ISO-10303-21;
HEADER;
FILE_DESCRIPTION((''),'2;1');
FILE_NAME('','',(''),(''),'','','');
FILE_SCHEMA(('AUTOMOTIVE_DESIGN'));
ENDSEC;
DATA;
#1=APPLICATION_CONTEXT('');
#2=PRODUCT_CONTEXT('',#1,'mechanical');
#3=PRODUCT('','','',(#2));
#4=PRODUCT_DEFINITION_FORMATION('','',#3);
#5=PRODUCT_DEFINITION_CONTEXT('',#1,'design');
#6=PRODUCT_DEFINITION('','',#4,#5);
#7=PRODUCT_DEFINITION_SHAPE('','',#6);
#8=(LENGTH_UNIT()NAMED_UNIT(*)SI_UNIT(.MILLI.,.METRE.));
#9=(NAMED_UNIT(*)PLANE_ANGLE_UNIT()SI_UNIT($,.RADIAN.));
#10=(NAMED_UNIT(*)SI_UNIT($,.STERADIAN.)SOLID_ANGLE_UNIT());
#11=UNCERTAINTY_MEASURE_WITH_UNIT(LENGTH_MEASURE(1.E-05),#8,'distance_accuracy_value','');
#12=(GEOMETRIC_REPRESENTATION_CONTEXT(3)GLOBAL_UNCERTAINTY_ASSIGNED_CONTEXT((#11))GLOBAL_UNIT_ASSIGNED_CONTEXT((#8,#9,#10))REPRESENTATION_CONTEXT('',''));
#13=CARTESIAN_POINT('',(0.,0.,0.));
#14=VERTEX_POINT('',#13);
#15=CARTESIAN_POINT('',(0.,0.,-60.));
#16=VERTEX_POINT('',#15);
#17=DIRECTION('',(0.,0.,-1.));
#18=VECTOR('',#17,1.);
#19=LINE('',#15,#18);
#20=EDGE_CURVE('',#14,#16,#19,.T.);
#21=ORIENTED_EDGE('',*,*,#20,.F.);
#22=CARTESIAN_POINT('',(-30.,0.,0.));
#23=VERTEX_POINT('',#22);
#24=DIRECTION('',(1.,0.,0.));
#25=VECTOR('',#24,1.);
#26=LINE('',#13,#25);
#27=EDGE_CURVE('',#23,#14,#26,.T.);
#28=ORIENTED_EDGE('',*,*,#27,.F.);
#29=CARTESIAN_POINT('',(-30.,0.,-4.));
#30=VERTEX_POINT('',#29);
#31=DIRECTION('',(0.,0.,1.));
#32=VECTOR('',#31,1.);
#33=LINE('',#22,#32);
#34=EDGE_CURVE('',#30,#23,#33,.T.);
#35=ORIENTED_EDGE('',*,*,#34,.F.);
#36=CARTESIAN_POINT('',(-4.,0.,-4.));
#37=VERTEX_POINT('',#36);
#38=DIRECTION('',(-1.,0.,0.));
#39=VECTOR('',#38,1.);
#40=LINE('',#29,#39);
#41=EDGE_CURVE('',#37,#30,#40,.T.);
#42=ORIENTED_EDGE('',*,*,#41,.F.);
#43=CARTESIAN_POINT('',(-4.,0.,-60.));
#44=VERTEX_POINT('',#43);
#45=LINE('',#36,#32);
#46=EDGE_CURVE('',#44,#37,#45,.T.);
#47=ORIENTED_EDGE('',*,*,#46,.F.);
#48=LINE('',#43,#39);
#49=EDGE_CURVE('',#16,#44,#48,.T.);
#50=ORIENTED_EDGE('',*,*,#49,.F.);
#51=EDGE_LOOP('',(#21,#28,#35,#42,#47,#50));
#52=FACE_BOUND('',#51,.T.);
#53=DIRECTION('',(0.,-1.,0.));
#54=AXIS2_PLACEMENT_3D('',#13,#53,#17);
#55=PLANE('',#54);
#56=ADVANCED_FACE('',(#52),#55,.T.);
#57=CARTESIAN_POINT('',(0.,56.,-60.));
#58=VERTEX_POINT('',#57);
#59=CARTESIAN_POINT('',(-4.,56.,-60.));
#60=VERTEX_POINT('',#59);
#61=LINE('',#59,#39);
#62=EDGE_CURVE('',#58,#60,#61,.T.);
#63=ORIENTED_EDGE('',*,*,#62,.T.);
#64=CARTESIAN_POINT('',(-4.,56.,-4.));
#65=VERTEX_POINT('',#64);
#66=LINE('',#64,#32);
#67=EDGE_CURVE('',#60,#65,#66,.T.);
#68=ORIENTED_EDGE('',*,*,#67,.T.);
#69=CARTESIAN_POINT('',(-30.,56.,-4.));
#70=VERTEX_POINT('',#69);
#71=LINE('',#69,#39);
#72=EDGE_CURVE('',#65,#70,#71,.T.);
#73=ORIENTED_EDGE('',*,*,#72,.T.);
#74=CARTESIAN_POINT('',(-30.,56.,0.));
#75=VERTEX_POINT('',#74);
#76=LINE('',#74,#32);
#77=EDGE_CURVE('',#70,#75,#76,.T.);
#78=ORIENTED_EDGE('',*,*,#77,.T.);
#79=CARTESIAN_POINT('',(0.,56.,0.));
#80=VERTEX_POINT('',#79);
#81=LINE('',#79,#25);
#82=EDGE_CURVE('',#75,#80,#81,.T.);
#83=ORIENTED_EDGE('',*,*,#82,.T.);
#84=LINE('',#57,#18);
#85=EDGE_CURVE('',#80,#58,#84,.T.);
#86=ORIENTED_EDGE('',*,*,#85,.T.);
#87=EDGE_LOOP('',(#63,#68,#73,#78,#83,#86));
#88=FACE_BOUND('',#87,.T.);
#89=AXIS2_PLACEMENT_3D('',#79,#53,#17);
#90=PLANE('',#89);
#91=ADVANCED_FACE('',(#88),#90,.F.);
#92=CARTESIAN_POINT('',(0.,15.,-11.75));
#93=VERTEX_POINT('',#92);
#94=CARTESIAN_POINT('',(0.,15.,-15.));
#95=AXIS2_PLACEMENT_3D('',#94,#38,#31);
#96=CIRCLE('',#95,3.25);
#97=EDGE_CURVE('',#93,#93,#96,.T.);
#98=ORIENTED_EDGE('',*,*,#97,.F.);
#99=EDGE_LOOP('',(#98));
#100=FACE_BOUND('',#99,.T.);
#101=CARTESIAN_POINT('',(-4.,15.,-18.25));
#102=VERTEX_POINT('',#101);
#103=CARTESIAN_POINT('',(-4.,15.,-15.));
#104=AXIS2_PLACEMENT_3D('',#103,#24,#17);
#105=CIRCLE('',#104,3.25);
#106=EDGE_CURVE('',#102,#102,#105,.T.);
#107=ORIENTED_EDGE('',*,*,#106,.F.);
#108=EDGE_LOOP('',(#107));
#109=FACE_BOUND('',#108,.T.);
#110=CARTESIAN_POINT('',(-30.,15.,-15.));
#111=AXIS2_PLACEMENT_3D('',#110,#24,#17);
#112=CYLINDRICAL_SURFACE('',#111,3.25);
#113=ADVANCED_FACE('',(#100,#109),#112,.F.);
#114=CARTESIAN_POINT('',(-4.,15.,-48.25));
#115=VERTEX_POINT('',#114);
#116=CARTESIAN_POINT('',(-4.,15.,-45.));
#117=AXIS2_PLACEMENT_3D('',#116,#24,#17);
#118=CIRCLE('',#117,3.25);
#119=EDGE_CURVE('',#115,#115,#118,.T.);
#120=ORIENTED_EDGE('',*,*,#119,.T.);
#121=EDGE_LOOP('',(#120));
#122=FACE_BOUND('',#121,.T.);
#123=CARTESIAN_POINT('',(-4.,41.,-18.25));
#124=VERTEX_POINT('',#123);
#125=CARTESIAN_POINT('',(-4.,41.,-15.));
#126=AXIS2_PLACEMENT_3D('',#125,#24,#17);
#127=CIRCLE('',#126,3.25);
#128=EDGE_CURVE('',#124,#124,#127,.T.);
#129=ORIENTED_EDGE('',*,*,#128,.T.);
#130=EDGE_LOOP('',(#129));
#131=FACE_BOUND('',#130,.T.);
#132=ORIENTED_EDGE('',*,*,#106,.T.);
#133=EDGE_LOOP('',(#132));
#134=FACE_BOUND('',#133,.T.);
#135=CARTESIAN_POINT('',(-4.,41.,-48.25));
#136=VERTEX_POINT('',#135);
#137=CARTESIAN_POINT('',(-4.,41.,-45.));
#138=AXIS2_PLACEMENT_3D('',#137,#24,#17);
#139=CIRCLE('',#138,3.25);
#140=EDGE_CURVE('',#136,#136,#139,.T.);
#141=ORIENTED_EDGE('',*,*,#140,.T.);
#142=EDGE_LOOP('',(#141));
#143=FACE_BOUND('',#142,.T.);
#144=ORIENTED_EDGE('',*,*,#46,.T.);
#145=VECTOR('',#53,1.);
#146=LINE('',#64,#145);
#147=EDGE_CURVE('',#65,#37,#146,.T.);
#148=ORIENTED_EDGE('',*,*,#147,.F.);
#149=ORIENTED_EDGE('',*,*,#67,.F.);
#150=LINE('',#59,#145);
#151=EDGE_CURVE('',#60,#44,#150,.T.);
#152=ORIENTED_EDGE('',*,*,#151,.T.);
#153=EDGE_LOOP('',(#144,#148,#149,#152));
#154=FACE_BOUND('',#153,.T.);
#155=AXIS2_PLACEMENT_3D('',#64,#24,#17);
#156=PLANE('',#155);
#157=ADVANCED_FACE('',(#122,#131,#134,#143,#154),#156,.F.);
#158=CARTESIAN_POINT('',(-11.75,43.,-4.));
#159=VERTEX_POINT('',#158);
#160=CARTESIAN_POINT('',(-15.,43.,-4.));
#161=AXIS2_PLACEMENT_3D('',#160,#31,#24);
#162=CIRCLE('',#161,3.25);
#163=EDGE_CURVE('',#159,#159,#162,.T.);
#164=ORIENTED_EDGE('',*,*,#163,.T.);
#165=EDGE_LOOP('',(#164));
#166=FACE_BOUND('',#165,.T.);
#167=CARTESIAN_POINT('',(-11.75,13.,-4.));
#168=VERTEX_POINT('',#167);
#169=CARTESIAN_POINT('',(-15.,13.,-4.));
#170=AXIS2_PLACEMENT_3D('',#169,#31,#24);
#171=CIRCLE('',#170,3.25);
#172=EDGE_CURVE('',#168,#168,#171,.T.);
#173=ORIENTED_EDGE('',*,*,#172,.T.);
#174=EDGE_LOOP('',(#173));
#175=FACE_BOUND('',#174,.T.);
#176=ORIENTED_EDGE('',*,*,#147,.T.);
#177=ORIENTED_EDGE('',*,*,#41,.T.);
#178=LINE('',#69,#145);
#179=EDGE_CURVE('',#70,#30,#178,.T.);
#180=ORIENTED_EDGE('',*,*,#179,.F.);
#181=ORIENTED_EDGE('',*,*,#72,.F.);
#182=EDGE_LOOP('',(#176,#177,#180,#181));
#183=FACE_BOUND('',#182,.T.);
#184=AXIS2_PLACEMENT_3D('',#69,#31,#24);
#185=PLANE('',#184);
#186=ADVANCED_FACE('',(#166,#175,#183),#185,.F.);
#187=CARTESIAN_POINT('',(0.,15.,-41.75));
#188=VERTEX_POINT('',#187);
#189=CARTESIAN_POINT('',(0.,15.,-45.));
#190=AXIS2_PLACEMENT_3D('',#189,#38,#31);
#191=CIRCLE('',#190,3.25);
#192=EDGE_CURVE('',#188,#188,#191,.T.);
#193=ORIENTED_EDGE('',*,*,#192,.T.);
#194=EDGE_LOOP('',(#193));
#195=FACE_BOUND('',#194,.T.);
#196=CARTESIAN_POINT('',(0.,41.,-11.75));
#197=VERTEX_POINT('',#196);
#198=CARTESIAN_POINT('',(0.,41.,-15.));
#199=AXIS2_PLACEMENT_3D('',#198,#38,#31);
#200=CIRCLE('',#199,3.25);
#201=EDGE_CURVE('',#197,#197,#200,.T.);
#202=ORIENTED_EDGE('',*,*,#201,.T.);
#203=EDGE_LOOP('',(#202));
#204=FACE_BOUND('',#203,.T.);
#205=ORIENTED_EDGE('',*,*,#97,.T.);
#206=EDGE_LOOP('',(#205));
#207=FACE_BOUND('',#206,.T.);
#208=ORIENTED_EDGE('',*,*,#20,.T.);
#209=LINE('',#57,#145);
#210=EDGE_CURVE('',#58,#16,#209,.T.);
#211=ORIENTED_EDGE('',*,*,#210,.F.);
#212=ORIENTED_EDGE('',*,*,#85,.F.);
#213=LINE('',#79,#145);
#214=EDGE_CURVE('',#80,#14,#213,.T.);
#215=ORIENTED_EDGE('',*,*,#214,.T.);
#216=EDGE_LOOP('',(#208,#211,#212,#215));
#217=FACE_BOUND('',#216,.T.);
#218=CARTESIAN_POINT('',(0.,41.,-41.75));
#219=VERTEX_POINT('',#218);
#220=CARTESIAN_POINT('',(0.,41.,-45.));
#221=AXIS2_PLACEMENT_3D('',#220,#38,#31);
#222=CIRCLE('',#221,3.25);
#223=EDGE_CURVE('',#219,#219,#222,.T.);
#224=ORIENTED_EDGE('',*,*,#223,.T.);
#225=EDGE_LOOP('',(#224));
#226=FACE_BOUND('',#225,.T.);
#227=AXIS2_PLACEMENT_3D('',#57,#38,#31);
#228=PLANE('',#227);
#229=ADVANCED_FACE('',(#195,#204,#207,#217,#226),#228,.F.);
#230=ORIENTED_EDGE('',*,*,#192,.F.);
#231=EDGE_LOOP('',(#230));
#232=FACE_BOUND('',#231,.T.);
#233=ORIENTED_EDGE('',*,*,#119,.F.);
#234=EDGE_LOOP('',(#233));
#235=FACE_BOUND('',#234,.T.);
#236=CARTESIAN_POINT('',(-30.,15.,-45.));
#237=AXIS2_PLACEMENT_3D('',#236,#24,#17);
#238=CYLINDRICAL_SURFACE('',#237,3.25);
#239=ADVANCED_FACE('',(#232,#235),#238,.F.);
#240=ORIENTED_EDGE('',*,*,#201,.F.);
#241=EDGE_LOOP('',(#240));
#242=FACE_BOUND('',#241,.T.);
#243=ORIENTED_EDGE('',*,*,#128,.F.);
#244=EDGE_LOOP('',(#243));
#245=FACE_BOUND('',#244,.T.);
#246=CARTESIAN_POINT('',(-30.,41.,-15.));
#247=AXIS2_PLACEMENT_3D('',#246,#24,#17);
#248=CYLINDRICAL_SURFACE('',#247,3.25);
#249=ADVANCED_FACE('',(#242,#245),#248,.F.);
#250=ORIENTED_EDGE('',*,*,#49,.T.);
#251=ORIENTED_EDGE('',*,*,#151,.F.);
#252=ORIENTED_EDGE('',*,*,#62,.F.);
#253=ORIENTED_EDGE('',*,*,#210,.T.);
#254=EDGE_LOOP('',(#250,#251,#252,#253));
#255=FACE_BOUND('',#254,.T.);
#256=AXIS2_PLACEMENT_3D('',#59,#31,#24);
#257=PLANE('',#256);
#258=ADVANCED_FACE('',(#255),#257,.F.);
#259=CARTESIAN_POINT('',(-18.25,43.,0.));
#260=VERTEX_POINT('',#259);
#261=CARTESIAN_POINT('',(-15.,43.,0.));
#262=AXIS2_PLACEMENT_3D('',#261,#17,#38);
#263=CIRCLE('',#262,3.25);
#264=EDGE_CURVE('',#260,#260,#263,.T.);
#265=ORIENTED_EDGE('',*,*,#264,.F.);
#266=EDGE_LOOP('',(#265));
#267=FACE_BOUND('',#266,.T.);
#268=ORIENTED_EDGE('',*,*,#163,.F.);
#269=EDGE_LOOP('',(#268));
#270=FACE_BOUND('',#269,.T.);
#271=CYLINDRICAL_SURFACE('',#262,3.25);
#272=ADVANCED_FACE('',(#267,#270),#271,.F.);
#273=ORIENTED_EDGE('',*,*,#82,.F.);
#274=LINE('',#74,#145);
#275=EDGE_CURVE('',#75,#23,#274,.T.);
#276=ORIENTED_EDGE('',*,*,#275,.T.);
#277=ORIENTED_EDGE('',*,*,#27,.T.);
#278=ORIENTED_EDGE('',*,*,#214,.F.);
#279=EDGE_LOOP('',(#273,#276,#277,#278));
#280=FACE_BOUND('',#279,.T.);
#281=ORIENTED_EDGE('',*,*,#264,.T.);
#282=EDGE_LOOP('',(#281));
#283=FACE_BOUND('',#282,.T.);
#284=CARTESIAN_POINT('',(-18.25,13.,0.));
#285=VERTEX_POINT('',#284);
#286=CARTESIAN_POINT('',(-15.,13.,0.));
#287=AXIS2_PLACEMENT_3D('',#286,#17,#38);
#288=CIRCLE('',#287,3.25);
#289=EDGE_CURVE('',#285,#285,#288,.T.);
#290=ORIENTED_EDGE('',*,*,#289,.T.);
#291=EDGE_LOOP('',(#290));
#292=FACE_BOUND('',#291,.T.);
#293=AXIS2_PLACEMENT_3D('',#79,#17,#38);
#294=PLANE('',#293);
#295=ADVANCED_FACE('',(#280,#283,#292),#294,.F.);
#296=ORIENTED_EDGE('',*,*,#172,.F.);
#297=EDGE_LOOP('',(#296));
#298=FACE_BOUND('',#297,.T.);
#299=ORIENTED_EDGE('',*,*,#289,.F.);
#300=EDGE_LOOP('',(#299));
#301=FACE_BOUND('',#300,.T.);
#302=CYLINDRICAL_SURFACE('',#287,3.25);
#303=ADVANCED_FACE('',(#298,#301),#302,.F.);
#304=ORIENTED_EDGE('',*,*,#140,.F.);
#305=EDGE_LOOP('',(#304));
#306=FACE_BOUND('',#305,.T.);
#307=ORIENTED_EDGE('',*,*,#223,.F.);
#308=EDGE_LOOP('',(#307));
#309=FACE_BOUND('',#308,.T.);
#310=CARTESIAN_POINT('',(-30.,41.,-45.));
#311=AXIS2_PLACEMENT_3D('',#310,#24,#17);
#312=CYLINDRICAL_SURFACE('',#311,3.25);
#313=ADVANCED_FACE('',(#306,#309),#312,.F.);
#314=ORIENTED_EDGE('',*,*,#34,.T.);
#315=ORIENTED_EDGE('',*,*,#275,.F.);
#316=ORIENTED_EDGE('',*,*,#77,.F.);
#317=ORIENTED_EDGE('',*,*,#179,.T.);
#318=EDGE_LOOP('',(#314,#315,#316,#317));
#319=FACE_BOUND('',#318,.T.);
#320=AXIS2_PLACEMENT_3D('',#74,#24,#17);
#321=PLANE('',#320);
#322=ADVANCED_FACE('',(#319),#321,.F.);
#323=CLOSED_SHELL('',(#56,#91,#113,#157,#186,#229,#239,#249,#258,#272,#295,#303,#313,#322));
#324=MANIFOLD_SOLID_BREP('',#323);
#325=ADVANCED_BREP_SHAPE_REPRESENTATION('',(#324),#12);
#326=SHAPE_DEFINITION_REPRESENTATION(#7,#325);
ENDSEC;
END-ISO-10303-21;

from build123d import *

# Parameters (mm, degrees)
EXTRUDE_1_DEPTH          = 56
CUT_EXTRUDE_1_DEPTH      = 85.687661439
CUT_EXTRUDE_1_DEPTH_BACK = 85.687661439
SKETCH_2_R               = 3.25
CUT_EXTRUDE_2_DEPTH      = 88.3842091
CUT_EXTRUDE_2_DEPTH_BACK = 88.3842091
SKETCH_3_R               = 3.25


with BuildPart() as part:
    # 草图1 → 凸台-拉伸1 (new body)
    with BuildSketch(Plane(origin=(0, 0, 0), x_dir=(1, 0, 0), z_dir=(0, 1, 0))):
        Polygon((0, 0), (-30, 0), (-30, 4), (-4, 4), (-4, 60), (0, 60), align=None)
    extrude(amount=EXTRUDE_1_DEPTH)

    # 草图2 → 切除-拉伸1 (cut, two sides: drawn at the far end of the back side and taken through both)
    with BuildSketch(Plane(origin=(0, 0, -4), x_dir=(-1, 0, 0), z_dir=(0, 0, -1)).offset(-CUT_EXTRUDE_1_DEPTH_BACK)):
        with Locations((15, 43)):
            Circle(SKETCH_2_R)
        with Locations((15, 13)):
            Circle(SKETCH_2_R)
    extrude(amount=CUT_EXTRUDE_1_DEPTH + CUT_EXTRUDE_1_DEPTH_BACK, mode=Mode.SUBTRACT)

    # 草图3 → 切除-拉伸2 (cut, two sides: drawn at the far end of the back side and taken through both)
    with BuildSketch(Plane(origin=(0, 0, 0), x_dir=(0, 0, -1), z_dir=(1, 0, 0)).offset(-CUT_EXTRUDE_2_DEPTH_BACK)):
        with Locations((15, 41)):
            Circle(SKETCH_3_R)
        with Locations((15, 15)):
            Circle(SKETCH_3_R)
        with Locations((45, 15)):
            Circle(SKETCH_3_R)
        with Locations((45, 41)):
            Circle(SKETCH_3_R)
    extrude(amount=CUT_EXTRUDE_2_DEPTH + CUT_EXTRUDE_2_DEPTH_BACK, mode=Mode.SUBTRACT)


solid = part.part
